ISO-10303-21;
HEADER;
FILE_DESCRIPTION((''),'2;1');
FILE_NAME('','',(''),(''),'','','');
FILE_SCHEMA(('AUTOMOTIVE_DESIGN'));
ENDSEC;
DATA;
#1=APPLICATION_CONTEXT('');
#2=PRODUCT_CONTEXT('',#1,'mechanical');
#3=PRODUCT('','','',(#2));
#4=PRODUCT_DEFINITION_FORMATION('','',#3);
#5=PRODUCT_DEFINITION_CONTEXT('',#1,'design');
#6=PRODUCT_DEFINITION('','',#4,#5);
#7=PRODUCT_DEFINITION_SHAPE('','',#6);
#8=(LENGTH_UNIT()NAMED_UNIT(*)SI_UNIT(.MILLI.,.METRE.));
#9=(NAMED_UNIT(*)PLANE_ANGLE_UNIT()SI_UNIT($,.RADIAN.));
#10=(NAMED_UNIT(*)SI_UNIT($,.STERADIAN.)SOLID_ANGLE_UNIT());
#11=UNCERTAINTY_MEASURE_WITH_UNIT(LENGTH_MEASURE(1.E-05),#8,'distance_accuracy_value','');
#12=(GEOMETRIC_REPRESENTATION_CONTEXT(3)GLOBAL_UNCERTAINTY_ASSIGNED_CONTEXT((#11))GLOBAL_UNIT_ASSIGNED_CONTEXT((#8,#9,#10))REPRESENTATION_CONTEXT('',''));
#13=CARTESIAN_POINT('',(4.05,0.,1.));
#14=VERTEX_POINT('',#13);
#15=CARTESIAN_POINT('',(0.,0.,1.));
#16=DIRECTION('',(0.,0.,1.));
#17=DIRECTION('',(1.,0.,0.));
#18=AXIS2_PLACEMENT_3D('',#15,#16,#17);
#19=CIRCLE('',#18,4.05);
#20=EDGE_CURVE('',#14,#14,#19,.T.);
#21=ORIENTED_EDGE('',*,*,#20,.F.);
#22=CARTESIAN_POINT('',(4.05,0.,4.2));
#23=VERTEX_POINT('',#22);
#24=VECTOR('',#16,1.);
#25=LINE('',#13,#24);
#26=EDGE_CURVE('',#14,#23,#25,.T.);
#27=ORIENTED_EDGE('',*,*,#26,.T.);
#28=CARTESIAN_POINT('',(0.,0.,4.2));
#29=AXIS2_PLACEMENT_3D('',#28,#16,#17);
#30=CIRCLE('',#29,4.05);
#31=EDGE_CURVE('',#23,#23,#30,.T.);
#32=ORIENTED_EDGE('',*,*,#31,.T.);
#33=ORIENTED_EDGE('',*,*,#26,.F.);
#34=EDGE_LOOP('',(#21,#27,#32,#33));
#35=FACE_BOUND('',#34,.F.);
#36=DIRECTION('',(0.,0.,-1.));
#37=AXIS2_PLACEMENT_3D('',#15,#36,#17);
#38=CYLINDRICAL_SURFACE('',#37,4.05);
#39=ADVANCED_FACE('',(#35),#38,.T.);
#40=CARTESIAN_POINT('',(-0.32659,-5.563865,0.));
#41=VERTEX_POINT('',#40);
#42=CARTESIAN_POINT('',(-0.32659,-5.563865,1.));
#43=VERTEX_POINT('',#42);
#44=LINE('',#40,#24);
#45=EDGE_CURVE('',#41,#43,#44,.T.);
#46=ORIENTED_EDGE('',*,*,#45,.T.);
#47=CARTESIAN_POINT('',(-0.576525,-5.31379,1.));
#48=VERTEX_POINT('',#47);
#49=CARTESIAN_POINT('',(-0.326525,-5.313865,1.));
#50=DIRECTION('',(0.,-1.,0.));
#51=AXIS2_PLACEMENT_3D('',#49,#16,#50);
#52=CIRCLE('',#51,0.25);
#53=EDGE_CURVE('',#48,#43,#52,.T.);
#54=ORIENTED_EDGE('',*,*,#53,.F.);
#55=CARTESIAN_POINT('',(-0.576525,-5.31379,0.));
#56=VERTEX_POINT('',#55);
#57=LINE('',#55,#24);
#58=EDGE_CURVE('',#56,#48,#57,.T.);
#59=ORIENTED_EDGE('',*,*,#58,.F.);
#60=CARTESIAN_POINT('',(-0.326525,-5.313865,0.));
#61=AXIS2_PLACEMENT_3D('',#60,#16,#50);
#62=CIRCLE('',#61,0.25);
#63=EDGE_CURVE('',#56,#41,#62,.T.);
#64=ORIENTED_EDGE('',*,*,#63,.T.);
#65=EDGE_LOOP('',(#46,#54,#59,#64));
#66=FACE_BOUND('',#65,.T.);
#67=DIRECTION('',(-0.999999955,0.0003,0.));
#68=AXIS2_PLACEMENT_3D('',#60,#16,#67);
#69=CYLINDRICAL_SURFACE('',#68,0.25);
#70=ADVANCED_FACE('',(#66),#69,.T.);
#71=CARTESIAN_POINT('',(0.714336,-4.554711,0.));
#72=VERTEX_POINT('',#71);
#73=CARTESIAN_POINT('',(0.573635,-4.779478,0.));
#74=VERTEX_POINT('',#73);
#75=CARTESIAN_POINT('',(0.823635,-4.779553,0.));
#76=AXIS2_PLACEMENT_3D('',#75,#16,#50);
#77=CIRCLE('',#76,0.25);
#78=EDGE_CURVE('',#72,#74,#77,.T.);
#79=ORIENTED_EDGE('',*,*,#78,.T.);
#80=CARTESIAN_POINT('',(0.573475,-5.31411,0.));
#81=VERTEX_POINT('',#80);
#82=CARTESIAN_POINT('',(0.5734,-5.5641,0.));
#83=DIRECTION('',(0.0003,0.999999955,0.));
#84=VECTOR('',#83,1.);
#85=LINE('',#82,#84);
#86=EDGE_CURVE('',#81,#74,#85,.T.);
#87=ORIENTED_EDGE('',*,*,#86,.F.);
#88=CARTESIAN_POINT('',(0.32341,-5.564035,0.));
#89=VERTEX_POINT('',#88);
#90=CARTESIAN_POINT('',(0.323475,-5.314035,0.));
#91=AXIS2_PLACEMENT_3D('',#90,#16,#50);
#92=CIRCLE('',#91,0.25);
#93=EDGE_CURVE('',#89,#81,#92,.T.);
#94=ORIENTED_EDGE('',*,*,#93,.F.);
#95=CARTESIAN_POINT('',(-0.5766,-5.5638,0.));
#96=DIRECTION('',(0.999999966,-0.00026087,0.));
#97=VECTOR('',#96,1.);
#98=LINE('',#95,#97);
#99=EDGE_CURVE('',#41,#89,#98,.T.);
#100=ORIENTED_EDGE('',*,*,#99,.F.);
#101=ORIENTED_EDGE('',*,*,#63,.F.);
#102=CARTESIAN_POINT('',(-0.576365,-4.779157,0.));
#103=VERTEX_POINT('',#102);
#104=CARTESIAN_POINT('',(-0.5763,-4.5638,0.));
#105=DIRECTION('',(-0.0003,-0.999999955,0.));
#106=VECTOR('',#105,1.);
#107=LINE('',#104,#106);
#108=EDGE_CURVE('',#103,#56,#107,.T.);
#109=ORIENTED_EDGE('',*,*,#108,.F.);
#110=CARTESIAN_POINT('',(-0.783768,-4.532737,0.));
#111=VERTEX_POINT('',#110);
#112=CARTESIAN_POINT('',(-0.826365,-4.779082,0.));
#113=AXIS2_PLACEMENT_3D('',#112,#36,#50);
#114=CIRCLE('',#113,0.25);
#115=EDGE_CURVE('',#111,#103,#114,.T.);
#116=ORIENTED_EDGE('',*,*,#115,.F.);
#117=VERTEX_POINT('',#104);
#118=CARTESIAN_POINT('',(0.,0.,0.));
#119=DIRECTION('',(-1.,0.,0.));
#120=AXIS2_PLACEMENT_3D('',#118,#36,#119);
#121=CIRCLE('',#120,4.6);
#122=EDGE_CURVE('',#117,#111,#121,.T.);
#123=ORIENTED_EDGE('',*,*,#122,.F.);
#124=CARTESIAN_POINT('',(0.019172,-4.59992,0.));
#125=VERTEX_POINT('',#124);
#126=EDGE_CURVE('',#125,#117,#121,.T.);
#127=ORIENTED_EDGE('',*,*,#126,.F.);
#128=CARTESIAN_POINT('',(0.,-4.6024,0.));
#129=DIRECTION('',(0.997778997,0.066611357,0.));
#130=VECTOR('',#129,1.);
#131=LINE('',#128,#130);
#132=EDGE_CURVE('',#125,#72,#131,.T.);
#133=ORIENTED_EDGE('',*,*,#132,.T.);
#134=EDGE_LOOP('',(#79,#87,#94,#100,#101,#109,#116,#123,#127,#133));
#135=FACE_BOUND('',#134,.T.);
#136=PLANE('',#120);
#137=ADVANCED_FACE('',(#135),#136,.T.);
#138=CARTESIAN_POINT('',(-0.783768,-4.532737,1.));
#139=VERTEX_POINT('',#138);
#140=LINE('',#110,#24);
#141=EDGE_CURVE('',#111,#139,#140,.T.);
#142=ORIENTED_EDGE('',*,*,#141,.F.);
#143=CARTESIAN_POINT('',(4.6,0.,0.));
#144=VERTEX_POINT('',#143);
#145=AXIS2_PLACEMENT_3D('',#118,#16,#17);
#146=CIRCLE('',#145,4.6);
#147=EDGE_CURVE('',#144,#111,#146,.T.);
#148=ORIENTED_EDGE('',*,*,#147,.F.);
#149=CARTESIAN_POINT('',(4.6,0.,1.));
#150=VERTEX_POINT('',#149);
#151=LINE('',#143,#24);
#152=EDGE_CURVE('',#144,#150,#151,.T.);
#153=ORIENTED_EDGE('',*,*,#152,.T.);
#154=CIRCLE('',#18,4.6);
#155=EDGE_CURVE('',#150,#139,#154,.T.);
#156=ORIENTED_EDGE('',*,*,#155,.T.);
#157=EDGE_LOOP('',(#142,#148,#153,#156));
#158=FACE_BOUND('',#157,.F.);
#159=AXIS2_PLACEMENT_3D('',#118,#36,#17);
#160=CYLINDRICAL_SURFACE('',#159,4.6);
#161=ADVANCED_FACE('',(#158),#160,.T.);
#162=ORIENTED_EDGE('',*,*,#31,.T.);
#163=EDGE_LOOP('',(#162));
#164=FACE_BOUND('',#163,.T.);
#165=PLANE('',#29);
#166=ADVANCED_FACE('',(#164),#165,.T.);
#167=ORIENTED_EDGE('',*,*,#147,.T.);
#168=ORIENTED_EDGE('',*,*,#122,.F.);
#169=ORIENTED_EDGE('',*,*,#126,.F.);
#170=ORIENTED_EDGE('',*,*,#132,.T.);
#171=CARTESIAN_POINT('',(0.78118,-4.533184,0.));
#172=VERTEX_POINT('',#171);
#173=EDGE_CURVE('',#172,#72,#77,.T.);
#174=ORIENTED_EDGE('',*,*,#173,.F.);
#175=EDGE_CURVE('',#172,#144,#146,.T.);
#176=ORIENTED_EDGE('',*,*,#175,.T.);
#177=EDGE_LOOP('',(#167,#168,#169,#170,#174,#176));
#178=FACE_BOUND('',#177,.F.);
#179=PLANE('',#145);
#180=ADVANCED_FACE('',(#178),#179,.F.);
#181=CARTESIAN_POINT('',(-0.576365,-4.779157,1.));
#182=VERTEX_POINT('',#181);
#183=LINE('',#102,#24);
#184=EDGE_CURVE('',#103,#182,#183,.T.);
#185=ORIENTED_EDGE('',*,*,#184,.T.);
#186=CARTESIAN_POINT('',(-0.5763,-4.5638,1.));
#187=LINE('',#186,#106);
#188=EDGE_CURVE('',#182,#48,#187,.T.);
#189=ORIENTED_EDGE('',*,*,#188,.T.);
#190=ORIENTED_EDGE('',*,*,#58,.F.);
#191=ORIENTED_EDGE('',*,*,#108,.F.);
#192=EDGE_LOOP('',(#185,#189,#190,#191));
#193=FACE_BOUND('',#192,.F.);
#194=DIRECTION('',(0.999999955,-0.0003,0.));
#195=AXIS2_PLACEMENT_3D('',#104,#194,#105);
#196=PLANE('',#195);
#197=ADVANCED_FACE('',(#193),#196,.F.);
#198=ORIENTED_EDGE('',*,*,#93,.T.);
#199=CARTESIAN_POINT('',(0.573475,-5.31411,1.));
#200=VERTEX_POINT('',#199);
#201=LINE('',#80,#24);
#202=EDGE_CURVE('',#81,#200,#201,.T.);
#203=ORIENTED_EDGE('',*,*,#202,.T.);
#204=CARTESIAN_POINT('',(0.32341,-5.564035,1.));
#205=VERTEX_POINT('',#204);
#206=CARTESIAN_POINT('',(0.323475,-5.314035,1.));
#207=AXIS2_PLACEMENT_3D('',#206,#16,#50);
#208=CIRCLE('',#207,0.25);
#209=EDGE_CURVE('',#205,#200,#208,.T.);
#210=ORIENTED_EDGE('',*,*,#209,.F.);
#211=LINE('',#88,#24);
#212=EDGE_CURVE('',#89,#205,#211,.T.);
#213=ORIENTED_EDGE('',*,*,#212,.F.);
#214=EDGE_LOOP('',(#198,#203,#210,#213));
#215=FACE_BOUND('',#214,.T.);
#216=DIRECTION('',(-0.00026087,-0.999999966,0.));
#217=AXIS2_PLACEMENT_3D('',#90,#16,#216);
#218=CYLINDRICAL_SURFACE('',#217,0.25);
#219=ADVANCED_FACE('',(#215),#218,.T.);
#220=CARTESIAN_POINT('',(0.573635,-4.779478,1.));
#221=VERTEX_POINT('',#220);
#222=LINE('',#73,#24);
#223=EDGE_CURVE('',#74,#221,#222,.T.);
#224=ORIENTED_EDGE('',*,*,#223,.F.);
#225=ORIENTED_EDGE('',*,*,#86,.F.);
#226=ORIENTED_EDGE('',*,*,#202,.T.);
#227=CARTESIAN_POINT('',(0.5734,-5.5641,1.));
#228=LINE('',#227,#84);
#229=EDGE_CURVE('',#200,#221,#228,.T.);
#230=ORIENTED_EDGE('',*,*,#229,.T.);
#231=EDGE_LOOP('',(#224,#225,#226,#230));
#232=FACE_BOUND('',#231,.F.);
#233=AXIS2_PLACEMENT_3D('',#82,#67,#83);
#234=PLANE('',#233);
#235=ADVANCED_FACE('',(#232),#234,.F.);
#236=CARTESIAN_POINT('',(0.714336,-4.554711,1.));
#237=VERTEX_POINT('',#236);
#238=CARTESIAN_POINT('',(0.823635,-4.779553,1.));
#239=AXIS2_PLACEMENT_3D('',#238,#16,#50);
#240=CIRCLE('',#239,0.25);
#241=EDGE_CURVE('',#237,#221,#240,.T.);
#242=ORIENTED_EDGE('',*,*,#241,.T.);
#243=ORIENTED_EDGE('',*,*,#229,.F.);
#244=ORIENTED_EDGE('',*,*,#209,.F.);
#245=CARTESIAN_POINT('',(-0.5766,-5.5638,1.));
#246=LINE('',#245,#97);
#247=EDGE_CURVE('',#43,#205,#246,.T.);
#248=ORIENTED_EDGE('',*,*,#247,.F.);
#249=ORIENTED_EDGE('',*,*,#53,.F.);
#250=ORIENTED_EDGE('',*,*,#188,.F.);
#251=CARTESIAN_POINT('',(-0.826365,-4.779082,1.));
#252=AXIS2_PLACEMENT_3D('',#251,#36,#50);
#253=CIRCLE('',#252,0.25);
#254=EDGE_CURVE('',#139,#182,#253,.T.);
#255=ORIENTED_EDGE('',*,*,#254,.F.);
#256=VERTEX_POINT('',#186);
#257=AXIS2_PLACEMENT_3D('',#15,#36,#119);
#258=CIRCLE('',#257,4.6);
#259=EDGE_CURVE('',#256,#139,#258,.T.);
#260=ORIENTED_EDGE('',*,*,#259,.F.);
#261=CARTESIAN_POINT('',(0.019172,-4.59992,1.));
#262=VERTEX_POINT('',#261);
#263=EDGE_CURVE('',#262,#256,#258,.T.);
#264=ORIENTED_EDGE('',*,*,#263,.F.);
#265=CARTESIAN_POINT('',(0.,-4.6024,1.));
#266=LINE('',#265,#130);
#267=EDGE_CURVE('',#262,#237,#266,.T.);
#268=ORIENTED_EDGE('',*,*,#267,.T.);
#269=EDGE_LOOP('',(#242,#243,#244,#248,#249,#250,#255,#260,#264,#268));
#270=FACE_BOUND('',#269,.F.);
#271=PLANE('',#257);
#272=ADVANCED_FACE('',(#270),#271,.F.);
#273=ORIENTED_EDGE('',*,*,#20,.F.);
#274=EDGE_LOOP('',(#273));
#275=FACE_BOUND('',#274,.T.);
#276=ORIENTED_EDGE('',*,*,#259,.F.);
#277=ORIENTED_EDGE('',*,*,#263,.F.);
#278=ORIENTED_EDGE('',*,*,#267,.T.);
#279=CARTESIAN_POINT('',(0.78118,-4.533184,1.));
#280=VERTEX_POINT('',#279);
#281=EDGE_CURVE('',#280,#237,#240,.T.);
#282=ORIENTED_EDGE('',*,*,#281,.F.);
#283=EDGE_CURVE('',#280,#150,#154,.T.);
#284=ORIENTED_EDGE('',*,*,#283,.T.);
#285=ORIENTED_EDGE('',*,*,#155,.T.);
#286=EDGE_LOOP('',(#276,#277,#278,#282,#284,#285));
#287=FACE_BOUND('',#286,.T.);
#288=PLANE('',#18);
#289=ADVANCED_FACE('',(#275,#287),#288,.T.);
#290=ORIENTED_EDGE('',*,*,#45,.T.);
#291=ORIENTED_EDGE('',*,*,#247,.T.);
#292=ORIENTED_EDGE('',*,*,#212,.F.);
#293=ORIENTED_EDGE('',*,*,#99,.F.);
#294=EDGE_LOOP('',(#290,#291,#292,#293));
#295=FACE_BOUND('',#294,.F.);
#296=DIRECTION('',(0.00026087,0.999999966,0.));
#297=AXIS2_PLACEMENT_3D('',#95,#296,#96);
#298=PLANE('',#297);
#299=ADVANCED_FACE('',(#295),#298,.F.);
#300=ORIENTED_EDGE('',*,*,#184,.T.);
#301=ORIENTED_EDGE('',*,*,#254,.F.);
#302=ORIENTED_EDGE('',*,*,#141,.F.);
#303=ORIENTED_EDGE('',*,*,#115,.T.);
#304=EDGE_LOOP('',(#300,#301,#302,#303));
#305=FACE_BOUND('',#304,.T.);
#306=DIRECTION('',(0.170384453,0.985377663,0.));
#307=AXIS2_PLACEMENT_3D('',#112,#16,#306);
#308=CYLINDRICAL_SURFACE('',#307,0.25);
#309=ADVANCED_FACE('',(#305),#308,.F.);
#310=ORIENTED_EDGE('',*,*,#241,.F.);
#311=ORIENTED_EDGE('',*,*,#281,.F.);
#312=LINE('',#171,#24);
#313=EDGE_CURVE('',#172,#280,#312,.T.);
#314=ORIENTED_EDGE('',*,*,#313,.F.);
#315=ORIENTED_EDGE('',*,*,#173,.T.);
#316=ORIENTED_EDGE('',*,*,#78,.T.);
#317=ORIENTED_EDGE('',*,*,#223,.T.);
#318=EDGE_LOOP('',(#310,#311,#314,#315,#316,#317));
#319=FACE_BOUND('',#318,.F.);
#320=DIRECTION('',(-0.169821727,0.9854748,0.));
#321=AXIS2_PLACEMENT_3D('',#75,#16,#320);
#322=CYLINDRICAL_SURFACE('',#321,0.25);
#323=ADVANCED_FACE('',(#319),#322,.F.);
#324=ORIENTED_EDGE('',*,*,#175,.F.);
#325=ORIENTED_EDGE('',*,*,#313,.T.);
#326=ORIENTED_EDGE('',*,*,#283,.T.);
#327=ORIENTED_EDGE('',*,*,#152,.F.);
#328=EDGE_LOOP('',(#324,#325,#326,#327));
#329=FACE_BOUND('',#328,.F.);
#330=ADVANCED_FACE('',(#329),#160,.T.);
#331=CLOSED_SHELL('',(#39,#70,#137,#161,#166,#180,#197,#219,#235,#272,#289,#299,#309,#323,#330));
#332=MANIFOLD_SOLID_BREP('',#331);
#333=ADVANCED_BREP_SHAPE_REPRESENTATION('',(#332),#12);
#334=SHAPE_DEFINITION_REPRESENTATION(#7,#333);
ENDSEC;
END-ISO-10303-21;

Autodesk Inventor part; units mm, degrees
ref_plane "YZ Plane" through (0, 0, 0) normal (1, 0, 0) x (0, 1, 0)
ref_plane "XZ Plane" through (0, 0, 0) normal (0, 1, 0) x (-1, 0, 0)
ref_plane "XY Plane" through (0, 0, 0) normal (0, 0, 1) x (1, 0, 0)
sketch "Sketch1" plane through (0, 0, 0) normal (0, 0, 1) x (1, 0, 0)
  circle A0 centre (0, 0) radius 4.6
  dimension "d0" = 9.2
extrude "Extrusion1" add sketch "Sketch1" along normal blind 1
sketch "Sketch2" plane through (0, 0, 1) normal (0, 0, 1) x (1, 0, 0)
  circle A0 centre (0, 0) radius 4.05
  dimension "d3" = 8.1
extrude "Extrusion2" add sketch "Sketch2" along normal blind 3.2
sketch "Sketch3" plane through (0, 0, 0) normal (0, 0, -1) x (-1, 0, 0)
  line L0 (0, 0) -> (0, -4.6024)
  line L1 (0, -4.6024) -> (-0.5737, -4.5641)
  circle A0 centre (0, 0) radius 4.6 projected
  line L2 (-0.5737, -4.5641) -> (0.5763, -4.5638)
  line L3 (0.5763, -4.5638) -> (0.5766, -5.5638)
  line L4 (0.5766, -5.5638) -> (-0.5734, -5.5641)
  line L5 (-0.5734, -5.5641) -> (-0.5737, -4.5641)
  dimension "d6" = 0.575
  dimension "d7" = 1.15
  dimension "d8" = 1
extrude "Extrusion3" add sketch "Sketch3" against normal blind 1 contours A0 L3 L4 L5 L1
fillet "Fillet1" radius 0.25 4 edges at (0.5737, -4.5641, 0.5) (0.5734, -5.5641, 0.5) (-0.5763, -4.5638, 0.5) (-0.5766, -5.5638, 0.5)
properties part number "sensor"
